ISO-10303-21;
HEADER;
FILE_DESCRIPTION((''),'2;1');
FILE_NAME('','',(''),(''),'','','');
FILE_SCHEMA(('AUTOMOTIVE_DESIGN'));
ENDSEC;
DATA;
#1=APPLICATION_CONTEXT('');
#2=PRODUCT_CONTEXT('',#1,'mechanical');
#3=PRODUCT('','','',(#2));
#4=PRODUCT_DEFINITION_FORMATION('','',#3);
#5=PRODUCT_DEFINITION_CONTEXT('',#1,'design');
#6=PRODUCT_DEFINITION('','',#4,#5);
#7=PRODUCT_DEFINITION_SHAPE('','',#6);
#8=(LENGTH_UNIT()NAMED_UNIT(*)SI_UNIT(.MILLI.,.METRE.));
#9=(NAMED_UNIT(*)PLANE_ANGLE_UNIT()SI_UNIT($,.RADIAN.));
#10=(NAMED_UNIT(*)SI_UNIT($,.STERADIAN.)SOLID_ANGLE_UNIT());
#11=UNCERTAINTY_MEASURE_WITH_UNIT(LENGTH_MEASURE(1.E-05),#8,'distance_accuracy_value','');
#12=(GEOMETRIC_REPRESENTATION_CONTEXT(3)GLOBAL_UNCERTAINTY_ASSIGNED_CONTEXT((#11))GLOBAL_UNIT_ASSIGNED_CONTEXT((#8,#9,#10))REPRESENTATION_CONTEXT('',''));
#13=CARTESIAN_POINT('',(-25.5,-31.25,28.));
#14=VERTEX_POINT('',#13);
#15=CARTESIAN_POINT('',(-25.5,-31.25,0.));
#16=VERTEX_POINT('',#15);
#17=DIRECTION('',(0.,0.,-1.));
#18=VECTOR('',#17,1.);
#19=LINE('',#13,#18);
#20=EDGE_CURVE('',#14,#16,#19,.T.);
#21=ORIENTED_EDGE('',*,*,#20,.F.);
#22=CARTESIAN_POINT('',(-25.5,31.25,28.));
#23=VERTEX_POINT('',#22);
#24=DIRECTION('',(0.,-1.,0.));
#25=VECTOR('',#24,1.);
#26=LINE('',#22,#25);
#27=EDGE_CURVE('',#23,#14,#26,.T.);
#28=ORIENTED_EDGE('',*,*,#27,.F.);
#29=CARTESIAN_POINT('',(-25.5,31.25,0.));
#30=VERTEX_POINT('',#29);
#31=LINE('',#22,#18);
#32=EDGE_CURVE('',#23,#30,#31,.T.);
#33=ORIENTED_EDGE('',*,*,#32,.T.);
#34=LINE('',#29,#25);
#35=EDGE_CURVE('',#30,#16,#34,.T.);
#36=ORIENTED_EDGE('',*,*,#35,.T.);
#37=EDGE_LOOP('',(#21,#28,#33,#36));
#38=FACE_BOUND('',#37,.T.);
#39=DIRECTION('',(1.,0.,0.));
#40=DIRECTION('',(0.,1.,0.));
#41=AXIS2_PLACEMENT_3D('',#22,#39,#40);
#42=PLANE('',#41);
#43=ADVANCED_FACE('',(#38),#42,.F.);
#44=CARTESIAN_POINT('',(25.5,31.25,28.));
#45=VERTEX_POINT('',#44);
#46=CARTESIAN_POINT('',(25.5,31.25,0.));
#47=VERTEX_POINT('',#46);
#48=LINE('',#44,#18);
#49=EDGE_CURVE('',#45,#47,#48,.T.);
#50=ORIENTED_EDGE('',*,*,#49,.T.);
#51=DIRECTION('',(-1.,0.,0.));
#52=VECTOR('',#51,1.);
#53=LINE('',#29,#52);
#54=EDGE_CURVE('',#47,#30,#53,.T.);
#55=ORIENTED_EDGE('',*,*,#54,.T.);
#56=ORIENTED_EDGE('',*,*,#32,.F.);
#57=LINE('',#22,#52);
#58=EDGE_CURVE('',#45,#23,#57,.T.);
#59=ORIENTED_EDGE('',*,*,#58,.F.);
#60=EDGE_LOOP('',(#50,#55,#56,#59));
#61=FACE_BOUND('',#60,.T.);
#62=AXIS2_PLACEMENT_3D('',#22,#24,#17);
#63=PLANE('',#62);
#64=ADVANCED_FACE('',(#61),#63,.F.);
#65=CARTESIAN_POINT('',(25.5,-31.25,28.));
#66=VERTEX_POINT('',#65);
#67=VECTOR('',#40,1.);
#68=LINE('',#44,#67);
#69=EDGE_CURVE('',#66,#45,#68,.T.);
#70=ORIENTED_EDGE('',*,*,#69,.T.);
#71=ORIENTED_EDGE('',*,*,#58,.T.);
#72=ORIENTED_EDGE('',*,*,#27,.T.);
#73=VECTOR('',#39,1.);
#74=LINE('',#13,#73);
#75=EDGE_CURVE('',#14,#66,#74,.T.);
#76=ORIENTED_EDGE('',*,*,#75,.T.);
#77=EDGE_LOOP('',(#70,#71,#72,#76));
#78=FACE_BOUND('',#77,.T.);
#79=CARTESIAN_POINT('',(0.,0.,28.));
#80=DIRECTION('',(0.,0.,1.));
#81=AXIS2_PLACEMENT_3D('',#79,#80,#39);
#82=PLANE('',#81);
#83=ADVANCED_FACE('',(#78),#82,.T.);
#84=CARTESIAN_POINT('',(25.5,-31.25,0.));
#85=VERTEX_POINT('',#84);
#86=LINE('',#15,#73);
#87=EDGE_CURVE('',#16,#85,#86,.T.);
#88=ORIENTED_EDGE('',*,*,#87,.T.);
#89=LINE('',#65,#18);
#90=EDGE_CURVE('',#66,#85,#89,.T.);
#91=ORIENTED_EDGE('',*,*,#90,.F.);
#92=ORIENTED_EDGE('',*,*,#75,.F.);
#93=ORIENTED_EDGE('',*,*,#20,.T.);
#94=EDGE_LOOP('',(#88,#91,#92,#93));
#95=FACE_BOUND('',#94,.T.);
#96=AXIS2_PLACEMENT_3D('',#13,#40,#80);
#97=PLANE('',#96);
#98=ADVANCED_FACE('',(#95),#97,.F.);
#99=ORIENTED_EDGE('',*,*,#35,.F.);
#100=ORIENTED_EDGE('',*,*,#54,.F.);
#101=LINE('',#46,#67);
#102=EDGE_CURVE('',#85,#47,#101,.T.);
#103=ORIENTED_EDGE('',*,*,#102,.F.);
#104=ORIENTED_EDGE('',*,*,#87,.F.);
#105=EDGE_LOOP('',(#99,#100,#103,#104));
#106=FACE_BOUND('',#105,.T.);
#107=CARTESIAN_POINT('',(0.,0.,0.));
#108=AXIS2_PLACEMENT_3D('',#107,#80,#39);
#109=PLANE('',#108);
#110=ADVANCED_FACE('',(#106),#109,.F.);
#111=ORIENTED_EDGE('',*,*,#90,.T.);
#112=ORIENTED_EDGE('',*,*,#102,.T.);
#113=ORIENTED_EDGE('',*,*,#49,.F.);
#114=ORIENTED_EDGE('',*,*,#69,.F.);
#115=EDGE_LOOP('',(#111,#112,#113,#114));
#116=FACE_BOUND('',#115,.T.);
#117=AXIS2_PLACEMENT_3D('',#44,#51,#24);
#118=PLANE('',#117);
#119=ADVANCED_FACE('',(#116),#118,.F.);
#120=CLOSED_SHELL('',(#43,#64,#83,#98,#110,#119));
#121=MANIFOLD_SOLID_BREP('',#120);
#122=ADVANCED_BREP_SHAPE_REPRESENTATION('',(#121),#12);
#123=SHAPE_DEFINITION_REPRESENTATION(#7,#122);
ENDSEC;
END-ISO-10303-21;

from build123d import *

# Parameters (mm, degrees)
SKETCH1_W           = 51
SKETCH1_H           = 62.5
BOSS_EXTRUDE1_DEPTH = 28


with BuildPart() as part:
    # Sketch1 → Boss-Extrude1 (new body)
    with BuildSketch(Plane.XY):
        Rectangle(SKETCH1_W, SKETCH1_H)
    extrude(amount=BOSS_EXTRUDE1_DEPTH)


solid = part.part
